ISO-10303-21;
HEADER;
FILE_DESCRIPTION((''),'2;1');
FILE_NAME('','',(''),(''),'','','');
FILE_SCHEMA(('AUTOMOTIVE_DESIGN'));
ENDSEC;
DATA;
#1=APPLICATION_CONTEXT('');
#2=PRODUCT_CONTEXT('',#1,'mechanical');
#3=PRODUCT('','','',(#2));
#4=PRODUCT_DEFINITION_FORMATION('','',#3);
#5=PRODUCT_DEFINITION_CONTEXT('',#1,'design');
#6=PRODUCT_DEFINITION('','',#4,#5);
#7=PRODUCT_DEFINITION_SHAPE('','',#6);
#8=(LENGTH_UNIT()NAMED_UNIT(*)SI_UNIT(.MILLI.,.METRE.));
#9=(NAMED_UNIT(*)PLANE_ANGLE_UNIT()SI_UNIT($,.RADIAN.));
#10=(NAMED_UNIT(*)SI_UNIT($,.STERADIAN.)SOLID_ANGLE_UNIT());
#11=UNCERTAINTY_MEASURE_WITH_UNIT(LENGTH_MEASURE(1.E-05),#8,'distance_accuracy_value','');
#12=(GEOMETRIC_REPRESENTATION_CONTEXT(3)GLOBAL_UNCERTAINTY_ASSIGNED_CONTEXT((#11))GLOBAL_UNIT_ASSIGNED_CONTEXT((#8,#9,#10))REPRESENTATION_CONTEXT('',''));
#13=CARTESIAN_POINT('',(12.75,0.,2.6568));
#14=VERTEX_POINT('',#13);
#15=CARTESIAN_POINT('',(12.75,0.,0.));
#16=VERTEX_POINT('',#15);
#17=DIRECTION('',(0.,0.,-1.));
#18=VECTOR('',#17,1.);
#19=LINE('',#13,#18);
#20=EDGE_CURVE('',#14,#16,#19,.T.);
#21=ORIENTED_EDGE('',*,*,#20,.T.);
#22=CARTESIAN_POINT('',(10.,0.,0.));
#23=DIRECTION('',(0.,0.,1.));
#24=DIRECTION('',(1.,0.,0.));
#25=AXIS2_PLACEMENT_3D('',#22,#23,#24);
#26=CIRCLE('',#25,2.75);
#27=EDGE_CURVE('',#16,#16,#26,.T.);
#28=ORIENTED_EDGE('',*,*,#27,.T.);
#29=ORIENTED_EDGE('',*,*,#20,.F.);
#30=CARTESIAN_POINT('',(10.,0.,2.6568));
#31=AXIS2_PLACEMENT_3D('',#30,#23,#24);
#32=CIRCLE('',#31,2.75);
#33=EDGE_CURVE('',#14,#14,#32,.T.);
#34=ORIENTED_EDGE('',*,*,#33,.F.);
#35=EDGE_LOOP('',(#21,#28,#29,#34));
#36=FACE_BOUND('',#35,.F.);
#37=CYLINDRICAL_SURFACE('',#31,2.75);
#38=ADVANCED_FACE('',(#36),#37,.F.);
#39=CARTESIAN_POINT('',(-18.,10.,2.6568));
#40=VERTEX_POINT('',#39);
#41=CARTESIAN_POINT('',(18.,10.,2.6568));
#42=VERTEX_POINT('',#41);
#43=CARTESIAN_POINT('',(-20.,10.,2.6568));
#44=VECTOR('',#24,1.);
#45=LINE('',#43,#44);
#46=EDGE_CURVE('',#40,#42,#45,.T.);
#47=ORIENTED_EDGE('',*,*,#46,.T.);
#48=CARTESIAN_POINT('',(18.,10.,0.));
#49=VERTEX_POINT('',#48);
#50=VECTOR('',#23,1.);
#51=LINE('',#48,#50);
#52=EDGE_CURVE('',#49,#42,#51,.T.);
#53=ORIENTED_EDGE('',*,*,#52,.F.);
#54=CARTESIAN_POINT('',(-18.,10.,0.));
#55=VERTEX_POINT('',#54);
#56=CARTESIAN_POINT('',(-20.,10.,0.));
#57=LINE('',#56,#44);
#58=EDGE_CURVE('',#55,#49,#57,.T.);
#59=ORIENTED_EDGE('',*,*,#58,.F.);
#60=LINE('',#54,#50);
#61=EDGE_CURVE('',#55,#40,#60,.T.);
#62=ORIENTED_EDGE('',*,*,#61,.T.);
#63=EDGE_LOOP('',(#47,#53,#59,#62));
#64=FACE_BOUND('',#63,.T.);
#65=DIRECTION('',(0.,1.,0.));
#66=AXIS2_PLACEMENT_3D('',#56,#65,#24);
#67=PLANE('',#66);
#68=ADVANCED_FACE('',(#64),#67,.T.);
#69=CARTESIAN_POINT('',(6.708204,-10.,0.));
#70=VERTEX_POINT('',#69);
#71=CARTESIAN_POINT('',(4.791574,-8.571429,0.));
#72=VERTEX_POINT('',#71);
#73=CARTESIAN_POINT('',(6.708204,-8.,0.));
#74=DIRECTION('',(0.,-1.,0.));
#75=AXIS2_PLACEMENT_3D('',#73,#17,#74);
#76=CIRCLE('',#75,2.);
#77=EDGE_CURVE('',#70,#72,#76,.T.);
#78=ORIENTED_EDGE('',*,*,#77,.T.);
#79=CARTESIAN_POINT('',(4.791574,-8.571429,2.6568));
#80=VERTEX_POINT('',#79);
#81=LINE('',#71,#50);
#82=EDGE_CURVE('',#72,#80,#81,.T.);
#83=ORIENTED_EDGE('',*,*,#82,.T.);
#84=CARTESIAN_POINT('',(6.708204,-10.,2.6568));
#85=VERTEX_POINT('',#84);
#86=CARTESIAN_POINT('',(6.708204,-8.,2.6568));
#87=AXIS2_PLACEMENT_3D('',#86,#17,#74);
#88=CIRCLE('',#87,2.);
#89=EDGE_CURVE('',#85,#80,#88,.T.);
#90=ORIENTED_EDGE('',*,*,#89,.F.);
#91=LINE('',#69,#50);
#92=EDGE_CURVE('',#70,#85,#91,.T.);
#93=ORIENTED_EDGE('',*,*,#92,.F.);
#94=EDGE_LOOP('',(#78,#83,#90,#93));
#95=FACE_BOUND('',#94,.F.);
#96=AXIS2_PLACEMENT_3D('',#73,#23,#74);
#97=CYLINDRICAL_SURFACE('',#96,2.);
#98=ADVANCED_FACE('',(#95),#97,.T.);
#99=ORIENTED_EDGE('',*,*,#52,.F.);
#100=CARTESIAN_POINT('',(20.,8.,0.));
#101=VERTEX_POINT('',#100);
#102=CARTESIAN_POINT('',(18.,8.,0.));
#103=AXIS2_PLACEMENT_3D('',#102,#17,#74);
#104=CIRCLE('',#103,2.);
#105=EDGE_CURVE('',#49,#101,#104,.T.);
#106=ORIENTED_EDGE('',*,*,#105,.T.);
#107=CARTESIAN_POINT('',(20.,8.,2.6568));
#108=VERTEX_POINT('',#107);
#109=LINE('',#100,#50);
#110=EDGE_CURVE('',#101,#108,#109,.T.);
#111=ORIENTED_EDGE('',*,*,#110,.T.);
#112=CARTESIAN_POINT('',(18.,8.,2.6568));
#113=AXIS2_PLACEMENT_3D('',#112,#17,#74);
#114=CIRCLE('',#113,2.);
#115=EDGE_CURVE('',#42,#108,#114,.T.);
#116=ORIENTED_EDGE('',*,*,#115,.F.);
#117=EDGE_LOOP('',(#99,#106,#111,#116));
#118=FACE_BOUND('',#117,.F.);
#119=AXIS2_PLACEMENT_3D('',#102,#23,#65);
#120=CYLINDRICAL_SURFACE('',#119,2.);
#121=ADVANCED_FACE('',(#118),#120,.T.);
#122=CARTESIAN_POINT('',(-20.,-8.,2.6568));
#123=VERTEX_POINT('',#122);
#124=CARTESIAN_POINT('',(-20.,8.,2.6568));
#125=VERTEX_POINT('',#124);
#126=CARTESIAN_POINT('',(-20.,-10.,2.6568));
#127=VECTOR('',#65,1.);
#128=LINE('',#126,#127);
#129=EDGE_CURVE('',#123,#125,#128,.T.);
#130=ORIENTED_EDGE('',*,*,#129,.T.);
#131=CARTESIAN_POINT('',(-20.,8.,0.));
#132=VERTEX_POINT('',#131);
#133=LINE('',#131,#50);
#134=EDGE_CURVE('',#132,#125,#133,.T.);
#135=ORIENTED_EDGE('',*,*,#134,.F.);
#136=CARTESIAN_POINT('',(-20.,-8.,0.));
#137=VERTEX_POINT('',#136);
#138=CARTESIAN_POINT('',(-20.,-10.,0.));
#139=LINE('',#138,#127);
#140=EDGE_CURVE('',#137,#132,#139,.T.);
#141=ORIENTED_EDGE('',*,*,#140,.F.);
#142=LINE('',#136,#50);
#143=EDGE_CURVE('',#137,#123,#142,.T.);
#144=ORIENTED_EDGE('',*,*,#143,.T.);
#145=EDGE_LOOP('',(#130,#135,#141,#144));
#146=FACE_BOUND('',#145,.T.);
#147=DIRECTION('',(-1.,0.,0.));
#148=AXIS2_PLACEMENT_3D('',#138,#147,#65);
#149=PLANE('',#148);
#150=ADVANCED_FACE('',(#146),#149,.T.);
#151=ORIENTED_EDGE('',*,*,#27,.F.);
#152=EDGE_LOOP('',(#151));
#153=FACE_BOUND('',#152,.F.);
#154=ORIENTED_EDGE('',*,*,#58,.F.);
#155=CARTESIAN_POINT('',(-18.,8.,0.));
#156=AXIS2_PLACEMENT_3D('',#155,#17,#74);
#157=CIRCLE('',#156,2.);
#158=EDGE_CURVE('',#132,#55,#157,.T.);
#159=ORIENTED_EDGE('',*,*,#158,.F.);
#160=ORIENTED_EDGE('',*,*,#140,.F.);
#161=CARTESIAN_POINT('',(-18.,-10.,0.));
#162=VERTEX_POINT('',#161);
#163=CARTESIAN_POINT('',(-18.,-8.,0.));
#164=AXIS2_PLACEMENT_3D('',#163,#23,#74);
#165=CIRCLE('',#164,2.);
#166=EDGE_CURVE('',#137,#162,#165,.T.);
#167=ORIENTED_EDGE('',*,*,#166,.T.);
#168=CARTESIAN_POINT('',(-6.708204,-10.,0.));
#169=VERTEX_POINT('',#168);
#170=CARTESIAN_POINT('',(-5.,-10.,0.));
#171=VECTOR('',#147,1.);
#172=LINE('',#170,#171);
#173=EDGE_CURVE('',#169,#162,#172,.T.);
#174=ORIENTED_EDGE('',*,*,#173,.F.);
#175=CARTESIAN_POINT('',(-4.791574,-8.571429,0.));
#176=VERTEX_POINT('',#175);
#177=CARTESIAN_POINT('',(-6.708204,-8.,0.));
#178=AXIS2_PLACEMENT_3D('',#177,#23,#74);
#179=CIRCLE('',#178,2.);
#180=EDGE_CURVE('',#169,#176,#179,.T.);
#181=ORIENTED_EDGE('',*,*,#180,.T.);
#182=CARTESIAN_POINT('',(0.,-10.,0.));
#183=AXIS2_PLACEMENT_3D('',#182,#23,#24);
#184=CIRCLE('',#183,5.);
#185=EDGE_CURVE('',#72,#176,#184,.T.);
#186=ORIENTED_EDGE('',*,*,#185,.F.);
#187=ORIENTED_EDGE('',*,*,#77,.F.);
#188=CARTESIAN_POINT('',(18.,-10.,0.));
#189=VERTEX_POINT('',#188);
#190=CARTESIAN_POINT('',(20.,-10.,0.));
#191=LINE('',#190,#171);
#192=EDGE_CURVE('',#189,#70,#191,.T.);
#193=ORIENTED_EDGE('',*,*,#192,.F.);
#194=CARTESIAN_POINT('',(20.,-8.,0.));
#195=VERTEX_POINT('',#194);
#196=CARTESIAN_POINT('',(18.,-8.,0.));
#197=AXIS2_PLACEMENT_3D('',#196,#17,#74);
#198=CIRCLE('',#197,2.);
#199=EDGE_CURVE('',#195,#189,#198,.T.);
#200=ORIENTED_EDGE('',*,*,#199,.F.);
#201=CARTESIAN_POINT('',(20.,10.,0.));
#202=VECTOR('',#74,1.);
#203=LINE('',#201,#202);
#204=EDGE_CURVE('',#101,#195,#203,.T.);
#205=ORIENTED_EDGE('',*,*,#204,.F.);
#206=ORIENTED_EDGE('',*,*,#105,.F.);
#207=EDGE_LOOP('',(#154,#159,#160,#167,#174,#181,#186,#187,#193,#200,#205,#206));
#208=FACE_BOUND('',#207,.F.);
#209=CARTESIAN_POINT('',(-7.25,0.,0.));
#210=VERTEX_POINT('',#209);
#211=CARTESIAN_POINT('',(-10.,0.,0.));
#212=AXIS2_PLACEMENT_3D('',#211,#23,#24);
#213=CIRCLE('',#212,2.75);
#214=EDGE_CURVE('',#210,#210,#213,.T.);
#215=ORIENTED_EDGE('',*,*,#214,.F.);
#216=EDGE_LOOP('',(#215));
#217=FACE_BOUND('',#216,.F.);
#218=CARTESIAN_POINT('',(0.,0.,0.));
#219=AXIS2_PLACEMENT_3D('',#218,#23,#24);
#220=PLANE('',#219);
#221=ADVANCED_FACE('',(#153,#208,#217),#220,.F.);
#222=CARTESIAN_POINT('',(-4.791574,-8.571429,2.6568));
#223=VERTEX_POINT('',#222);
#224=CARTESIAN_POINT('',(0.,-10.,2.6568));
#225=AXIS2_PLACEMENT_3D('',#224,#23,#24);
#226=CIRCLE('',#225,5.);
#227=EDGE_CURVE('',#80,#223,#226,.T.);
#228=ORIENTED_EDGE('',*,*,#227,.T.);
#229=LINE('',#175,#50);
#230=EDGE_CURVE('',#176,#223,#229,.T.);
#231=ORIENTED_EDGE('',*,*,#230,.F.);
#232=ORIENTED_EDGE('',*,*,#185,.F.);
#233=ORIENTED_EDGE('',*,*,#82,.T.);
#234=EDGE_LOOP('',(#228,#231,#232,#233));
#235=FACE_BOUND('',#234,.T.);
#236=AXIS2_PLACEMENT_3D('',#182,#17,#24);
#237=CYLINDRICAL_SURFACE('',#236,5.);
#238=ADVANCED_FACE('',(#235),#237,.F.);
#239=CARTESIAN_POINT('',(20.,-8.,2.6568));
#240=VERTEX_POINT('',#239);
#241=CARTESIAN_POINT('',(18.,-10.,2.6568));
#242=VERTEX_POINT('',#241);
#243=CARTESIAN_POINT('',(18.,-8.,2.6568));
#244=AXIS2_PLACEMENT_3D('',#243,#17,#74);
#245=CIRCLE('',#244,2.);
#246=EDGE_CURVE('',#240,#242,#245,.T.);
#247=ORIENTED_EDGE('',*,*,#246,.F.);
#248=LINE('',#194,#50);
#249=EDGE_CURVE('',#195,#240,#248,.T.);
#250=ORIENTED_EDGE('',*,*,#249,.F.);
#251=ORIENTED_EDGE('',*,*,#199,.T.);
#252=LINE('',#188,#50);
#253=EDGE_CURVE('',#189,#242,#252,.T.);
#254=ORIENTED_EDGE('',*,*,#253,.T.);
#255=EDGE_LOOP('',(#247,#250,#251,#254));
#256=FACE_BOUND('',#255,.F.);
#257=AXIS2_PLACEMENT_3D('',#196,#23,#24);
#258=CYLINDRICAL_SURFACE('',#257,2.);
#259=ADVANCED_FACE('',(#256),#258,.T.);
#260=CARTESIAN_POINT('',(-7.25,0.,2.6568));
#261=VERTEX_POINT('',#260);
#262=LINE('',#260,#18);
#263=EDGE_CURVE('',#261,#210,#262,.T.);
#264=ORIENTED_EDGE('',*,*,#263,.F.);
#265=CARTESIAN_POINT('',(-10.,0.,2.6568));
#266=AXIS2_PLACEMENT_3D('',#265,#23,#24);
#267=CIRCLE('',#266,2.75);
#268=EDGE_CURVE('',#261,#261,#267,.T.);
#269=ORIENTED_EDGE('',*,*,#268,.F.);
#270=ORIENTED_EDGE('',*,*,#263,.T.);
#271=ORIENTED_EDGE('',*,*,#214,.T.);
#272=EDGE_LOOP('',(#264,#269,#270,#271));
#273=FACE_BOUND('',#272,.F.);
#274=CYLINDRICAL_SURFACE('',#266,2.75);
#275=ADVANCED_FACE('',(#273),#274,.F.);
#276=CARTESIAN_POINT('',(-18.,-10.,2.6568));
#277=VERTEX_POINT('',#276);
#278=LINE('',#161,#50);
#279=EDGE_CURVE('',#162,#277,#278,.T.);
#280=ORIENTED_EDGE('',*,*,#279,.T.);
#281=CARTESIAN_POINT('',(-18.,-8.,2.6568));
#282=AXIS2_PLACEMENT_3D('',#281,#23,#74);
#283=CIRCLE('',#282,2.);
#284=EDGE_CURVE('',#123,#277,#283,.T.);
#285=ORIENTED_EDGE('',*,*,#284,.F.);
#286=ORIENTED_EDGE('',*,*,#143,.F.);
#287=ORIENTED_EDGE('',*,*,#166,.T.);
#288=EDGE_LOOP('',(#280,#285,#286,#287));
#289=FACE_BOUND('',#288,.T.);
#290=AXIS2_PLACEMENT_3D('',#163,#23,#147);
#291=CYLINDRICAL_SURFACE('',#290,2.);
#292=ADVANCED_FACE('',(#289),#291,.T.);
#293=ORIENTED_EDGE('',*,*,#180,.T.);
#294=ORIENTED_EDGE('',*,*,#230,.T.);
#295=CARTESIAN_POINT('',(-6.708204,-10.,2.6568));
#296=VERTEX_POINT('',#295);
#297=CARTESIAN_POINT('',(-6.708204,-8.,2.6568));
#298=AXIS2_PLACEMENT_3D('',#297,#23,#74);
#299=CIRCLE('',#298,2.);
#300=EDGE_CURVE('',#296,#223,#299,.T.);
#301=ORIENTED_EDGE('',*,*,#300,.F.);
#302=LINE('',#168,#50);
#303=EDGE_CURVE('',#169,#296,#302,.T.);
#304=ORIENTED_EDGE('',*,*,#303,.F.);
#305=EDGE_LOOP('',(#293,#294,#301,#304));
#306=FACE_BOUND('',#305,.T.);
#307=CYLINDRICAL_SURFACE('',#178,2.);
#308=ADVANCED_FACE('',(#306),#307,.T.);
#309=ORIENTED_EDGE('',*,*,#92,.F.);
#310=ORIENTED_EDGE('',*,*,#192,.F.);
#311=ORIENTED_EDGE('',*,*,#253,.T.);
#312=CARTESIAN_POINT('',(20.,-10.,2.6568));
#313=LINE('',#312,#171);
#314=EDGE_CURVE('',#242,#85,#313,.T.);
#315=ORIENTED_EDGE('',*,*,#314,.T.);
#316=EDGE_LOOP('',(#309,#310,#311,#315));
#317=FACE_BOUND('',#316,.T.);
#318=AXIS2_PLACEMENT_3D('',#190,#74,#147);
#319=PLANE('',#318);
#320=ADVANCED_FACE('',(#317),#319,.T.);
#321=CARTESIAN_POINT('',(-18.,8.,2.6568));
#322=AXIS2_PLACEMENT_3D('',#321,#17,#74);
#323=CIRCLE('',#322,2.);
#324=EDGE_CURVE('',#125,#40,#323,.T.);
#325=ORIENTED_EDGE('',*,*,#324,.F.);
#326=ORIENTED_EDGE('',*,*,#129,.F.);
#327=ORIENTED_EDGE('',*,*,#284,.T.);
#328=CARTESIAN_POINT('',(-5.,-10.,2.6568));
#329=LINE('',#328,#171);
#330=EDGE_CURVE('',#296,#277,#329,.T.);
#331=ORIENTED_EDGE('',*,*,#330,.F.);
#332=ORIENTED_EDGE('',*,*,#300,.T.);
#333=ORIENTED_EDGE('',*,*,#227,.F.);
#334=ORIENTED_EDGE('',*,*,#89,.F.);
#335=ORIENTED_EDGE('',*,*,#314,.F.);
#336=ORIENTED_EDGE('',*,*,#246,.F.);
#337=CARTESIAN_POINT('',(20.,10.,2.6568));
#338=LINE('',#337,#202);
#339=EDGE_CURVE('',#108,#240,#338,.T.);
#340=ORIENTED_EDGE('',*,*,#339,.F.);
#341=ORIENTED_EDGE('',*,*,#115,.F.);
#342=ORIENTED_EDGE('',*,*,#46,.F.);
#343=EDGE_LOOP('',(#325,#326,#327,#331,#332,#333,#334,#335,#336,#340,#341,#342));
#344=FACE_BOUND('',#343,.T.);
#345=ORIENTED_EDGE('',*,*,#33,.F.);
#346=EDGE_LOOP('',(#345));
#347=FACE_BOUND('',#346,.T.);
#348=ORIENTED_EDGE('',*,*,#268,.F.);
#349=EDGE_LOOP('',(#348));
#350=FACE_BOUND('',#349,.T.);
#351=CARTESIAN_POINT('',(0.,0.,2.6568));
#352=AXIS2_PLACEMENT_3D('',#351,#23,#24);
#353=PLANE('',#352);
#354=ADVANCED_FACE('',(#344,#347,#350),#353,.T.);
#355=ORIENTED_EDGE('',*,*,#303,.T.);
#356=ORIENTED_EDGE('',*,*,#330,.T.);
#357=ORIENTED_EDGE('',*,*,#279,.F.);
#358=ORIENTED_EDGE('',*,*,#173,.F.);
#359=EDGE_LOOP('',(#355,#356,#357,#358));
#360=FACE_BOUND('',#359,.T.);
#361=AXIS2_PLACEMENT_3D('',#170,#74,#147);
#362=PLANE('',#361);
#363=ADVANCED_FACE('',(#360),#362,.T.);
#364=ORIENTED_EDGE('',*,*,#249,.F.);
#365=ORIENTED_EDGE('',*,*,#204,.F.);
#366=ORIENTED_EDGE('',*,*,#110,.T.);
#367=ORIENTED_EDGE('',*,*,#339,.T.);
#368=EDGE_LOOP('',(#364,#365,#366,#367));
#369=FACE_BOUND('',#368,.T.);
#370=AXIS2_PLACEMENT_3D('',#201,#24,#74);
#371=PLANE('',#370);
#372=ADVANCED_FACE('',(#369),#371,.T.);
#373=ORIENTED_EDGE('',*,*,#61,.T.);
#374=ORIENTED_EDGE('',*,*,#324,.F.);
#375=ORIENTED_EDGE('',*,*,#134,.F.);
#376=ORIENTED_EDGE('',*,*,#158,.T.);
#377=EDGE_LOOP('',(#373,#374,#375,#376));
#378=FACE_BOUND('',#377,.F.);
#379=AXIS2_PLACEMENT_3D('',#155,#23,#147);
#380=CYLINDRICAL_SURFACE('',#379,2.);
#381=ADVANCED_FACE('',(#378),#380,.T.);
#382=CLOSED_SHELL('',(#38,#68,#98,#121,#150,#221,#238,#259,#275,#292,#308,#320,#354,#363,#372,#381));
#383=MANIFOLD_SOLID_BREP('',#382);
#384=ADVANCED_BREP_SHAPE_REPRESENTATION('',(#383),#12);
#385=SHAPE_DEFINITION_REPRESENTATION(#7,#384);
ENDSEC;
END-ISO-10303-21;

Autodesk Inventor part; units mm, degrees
ref_plane "YZ Plane" through (0, 0, 0) normal (1, 0, 0) x (0, 1, 0)
ref_plane "XZ Plane" through (0, 0, 0) normal (0, 1, 0) x (-1, 0, 0)
ref_plane "XY Plane" through (0, 0, 0) normal (0, 0, 1) x (1, 0, 0)
sketch "Sketch1" plane through (0, 0, 0) normal (0, 0, 1) x (1, 0, 0)
  line L0 (-20, 10) -> (20, 10)
  line L1 (20, 10) -> (20, -10)
  line L2 (-20, -10) -> (-20, 10)
  arc A0 (5, -10) -> (-5, -10) centre (0, -10) ccw
  line L3 (20, -10) -> (5, -10)
  line L4 (-5, -10) -> (-20, -10)
  point P0 (0, 0)
  dimension "d0" = 40
  dimension "d1" = 20
  dimension "d2" = 20
  dimension "d3" = 10
  dimension "d4" = 10
  dimension "d5" = 20
  dimension "d6" = 20
  dimension "d7" = 15
extrude "Extrusion1" add sketch "Sketch1" along normal blind 2.6568
sketch "Sketch2" plane through (0, 0, 2.6568) normal (0, 0, 1) x (1, 0, 0)
  line L0 (20, 10) -> (-20, 10) projected
  line L1 (-20, 10) -> (-20, -10) projected
  circle A0 centre (-10, 0) radius 2.75
  circle A1 centre (10, 0) radius 2.75
  point P0 (0, 0)
  dimension "d23" = 5.5
  dimension "d24" = 10
  dimension "d25" = 10
  dimension "d28" = 20
extrude "Extrusion2" cut sketch "Sketch2" against normal through all
fillet "Fillet1" radius 2 4 edges at (20, -10, 1.3284) (-20, -10, 1.3284) (-5, -10, 1.3284) (5, -10, 1.3284)
fillet "Fillet2" radius 2 2 edges at (20, 10, 1.3284) (-20, 10, 1.3284)
equation "\"d2\" = 0.5 * d0"
equation "\"d3\" = 0.5 * d1"
equation "\"d25\" = d24"
properties part number "30289-01" material "Steel, Mild"
